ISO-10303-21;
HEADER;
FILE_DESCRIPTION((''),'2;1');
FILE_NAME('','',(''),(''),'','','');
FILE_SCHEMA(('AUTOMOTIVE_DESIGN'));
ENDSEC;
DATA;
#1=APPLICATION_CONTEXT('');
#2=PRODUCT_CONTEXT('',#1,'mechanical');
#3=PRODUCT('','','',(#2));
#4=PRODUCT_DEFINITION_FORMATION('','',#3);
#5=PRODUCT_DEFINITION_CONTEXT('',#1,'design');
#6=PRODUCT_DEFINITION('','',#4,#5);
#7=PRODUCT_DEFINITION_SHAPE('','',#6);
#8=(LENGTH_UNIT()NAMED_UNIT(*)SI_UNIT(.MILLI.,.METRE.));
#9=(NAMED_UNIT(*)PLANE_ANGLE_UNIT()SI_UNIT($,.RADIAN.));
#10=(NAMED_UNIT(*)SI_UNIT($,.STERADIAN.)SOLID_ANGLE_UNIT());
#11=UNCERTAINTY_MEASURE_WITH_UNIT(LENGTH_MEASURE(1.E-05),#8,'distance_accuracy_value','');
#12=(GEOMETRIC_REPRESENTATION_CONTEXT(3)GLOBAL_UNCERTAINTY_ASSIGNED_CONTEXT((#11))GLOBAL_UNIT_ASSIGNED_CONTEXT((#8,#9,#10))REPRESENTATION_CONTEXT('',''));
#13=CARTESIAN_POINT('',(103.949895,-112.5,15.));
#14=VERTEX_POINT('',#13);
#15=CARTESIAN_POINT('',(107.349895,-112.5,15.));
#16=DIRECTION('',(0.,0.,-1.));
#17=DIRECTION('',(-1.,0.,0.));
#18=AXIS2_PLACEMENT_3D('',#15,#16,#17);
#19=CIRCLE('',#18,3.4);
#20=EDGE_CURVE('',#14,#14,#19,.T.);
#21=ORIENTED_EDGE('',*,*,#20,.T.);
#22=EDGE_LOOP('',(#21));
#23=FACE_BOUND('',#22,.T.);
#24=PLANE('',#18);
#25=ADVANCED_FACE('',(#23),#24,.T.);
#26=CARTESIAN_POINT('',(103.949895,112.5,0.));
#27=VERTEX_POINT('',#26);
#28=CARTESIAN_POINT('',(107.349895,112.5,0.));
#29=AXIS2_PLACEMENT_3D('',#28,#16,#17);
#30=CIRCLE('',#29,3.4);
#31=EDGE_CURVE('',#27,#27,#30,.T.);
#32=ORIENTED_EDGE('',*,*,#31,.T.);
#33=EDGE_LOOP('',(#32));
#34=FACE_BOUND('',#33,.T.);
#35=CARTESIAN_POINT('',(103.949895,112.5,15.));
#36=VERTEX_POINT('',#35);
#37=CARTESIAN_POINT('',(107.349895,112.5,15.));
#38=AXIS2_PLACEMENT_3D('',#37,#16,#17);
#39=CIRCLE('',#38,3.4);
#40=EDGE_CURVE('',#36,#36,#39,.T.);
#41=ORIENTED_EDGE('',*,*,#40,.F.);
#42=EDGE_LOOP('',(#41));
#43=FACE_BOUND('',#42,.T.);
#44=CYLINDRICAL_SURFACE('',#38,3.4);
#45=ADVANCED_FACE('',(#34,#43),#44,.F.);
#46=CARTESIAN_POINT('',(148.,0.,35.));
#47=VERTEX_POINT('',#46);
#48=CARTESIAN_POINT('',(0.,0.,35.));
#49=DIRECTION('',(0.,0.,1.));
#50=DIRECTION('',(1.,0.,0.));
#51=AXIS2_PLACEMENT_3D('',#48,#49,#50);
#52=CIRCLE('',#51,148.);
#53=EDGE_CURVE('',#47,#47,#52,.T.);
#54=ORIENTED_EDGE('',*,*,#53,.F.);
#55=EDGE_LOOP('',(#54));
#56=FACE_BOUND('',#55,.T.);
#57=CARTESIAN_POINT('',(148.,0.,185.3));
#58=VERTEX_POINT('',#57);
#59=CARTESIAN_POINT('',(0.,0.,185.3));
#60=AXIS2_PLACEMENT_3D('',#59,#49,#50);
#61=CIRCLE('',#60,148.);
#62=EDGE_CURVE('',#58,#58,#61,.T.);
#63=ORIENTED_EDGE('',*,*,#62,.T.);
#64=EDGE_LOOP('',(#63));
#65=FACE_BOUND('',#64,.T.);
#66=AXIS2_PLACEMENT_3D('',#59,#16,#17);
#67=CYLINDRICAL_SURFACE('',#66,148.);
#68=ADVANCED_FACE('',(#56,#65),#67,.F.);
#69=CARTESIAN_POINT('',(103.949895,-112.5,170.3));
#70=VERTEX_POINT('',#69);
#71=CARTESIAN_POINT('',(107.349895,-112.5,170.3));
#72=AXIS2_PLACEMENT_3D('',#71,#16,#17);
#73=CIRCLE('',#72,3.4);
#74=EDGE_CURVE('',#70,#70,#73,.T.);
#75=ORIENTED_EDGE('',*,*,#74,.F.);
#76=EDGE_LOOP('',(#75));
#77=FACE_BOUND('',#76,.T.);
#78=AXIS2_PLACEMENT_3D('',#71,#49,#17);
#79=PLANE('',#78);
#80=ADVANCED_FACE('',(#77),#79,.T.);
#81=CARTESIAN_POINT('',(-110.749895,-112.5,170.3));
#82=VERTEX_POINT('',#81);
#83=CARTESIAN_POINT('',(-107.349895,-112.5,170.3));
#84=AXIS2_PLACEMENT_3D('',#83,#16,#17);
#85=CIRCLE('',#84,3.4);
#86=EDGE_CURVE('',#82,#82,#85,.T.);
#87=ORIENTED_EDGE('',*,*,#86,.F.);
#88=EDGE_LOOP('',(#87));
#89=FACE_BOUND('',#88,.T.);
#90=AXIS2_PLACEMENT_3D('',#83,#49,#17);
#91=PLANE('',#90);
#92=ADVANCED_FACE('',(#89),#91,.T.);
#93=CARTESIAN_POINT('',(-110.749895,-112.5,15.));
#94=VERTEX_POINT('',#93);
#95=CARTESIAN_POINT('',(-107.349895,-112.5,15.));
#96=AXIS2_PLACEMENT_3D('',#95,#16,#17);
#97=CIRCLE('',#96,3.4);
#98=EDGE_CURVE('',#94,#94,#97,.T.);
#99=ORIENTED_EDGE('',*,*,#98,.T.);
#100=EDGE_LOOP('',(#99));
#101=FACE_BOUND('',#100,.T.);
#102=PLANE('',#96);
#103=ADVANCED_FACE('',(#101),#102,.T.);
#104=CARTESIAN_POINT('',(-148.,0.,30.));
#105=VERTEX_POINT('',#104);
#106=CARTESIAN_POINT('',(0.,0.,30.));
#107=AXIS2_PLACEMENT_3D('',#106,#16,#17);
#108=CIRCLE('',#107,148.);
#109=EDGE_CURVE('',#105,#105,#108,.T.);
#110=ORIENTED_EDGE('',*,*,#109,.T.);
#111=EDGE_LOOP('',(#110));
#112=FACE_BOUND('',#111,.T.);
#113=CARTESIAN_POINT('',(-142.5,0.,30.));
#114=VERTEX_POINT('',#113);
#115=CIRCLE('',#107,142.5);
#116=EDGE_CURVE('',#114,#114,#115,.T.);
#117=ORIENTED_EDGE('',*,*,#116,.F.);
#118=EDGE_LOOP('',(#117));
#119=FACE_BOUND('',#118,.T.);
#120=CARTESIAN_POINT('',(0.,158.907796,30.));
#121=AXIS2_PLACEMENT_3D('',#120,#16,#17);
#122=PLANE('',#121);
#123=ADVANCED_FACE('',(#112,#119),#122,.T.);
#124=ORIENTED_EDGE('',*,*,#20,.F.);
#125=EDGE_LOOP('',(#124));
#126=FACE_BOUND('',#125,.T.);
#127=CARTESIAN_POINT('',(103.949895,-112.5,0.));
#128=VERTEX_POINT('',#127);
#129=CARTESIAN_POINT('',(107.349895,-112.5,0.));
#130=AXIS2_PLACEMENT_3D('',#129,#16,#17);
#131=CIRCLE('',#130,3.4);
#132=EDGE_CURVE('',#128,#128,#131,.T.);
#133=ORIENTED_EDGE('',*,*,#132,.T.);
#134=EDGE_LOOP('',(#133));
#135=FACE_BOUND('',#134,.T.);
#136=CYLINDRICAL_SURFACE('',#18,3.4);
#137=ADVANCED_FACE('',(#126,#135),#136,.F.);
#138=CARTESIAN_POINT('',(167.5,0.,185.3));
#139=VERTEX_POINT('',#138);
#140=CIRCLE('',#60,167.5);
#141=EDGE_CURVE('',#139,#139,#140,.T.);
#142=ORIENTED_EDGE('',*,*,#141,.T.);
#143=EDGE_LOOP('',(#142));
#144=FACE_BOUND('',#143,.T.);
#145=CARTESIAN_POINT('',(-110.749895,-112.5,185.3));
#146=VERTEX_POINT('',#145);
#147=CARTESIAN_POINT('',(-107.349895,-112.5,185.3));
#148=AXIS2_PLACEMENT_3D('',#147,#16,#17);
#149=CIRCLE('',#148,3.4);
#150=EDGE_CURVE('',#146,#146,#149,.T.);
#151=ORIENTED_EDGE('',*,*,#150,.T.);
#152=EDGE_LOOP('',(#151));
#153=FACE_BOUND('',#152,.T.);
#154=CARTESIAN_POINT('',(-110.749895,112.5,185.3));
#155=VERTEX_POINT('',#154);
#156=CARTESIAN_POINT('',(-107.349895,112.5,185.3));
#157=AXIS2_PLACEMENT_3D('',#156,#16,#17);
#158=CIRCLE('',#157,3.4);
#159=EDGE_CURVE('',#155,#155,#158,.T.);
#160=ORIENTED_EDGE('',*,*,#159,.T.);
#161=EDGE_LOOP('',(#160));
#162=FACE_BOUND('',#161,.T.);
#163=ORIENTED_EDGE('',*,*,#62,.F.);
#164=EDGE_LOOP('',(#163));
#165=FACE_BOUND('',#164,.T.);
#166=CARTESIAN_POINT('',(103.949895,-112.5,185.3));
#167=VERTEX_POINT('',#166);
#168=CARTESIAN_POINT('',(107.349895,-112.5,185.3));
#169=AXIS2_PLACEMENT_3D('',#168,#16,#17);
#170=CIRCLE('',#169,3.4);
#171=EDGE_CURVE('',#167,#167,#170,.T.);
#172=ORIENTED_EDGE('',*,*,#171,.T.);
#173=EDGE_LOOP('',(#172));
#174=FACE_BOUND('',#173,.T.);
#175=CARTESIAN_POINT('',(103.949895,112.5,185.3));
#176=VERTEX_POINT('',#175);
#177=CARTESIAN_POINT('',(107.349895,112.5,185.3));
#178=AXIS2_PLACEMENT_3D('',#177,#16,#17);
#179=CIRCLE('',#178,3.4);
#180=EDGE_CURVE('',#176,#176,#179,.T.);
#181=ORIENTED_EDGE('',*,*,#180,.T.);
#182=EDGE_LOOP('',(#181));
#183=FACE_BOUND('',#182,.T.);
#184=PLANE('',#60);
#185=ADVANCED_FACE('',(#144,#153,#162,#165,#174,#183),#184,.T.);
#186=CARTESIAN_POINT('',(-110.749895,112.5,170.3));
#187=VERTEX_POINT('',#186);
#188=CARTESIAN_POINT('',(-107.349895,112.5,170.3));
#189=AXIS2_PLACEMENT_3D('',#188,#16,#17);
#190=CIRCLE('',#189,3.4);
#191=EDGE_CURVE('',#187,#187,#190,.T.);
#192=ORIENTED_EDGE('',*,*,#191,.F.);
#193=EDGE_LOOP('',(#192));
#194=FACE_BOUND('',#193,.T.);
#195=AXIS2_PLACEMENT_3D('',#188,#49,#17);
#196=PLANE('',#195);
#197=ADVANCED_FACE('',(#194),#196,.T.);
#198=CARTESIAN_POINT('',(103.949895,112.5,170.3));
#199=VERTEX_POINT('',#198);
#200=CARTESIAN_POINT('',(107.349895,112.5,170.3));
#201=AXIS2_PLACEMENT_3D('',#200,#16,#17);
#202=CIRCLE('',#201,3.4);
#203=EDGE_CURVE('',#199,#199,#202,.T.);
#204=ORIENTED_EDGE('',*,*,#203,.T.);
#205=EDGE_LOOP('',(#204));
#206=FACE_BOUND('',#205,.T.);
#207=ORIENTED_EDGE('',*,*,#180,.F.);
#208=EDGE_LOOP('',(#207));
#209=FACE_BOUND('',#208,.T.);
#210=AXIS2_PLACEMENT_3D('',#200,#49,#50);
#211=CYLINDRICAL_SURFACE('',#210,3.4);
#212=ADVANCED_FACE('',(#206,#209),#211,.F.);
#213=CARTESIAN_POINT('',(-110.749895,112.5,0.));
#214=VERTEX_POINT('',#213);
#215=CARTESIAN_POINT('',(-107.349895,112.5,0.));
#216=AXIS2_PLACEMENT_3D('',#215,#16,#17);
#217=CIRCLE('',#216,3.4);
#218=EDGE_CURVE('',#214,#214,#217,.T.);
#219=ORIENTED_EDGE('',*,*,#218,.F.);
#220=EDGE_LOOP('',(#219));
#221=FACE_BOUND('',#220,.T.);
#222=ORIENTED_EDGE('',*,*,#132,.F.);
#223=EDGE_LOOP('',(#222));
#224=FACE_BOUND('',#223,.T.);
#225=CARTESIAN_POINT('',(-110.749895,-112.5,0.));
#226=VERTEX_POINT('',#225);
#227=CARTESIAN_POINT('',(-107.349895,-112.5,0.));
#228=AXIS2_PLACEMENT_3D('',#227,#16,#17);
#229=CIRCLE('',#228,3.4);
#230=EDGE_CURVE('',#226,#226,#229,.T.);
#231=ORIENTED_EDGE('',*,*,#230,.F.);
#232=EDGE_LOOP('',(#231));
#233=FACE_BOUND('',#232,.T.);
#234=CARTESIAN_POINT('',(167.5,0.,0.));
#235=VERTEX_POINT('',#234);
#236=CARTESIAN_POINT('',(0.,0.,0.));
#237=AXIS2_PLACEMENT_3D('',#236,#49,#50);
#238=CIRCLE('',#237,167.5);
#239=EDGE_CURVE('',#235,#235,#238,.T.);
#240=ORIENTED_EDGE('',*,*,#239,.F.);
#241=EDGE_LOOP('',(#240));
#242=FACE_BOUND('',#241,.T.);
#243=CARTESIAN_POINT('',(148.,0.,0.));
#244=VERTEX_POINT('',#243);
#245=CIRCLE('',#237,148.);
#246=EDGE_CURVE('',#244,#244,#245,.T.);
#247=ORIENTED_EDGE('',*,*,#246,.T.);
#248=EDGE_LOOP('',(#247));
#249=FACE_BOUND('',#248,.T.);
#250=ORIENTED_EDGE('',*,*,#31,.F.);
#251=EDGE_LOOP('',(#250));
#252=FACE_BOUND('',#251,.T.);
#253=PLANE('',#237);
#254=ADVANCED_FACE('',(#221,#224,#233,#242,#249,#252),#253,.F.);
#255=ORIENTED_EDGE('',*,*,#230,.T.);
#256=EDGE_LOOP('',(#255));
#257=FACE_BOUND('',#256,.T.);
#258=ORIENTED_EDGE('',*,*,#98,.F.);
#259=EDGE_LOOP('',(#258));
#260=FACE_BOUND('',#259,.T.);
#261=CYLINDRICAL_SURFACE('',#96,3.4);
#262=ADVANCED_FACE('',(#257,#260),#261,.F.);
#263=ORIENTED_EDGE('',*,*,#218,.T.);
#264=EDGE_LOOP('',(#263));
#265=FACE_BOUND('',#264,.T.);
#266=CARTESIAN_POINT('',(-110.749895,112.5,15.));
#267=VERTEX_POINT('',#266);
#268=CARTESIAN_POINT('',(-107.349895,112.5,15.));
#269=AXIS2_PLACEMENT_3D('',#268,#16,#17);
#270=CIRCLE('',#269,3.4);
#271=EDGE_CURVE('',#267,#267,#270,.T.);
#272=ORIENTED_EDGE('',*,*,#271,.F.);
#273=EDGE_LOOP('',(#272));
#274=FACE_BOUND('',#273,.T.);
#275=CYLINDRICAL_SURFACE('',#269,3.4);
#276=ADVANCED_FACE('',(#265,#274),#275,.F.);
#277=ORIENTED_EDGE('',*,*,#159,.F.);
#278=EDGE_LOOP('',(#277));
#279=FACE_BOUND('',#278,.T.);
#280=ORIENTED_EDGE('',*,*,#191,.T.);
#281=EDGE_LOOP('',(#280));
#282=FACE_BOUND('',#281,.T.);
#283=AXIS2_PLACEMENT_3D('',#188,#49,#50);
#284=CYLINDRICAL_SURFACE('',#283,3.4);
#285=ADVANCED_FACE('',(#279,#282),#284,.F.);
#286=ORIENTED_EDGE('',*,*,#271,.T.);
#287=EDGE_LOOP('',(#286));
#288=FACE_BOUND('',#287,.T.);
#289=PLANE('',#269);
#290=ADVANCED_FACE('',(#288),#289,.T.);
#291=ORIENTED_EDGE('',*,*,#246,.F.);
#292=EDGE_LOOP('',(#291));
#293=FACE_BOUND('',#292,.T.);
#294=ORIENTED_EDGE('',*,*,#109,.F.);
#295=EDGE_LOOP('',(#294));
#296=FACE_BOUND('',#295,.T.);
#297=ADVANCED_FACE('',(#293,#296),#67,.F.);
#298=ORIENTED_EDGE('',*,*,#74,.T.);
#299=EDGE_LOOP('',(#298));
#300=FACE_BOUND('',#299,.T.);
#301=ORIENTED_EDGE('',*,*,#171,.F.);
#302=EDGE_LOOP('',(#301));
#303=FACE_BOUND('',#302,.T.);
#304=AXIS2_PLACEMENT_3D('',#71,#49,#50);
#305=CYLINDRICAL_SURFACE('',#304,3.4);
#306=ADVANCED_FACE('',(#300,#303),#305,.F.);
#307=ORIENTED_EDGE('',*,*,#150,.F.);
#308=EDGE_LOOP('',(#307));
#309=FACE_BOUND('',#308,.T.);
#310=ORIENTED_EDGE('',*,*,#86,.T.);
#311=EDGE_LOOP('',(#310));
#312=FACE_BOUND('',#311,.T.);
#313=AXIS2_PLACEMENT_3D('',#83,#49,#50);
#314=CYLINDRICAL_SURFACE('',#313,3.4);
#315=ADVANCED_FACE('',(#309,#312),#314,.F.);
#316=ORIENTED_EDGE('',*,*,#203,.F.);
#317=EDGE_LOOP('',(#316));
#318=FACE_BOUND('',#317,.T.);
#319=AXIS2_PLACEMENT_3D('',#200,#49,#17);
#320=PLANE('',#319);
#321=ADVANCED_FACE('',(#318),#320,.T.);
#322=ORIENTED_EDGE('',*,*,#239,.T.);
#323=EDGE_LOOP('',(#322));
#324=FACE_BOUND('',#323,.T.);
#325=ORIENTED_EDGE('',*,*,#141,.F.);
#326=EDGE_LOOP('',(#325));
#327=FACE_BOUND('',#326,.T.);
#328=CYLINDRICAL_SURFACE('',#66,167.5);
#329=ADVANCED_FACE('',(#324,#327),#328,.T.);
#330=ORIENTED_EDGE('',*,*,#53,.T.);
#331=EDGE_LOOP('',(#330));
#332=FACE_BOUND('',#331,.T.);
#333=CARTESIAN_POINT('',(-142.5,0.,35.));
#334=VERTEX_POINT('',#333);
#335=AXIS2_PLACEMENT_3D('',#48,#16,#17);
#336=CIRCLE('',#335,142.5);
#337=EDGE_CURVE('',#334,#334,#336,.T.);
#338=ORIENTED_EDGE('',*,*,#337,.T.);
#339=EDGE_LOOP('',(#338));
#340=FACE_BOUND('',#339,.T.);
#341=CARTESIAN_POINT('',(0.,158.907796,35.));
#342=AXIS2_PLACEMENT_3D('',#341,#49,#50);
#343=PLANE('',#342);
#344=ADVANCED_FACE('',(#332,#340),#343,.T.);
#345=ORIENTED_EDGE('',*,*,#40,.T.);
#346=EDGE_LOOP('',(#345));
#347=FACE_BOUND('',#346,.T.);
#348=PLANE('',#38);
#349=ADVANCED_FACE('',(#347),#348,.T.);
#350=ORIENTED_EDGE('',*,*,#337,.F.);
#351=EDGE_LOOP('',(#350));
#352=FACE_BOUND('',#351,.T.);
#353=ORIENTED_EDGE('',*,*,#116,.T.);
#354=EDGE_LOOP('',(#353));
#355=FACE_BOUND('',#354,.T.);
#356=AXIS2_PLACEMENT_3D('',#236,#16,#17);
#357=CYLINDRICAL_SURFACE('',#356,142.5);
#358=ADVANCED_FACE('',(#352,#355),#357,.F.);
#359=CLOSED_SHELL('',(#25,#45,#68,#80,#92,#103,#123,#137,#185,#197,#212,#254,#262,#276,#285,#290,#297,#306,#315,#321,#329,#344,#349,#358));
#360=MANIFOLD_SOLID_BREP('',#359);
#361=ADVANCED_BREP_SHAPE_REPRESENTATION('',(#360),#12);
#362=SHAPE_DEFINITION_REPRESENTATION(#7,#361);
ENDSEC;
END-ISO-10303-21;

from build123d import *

# Parameters (mm, degrees)
IZIM1_R                     = 167.5
IZIM1_R_2                   = 148
Y_KSEKLIK_EKSTR_ZYON2_DEPTH = 185.3
IZIM9_R                     = 3.4
KES_EKSTR_ZYON1_DEPTH       = 15
IZIM10_W                    = 5
IZIM10_H                    = 16.407796145


with BuildPart() as part:
    # Çizim1 → Yükseklik-Ekstrüzyon2 (new body)
    with BuildSketch(Plane.XY):
        Circle(IZIM1_R)
        Circle(IZIM1_R_2, mode=Mode.SUBTRACT)
    extrude(amount=Y_KSEKLIK_EKSTR_ZYON2_DEPTH)

    # Çizim9 → Kes-Ekstrüzyon1 (cut)
    with BuildSketch(Plane(origin=(0, 0, 0), x_dir=(-1, 0, 0), z_dir=(0, 0, -1))):
        with Locations((107.349895203, -112.5)):
            Circle(IZIM9_R)
        with Locations((-107.349895203, -112.5)):
            Circle(IZIM9_R)
        with Locations((-107.349895203, 112.5)):
            Circle(IZIM9_R)
        with Locations((107.349895203, 112.5)):
            Circle(IZIM9_R)
    kes_ekstr_zyon1 = extrude(amount=-KES_EKSTR_ZYON1_DEPTH, mode=Mode.SUBTRACT)

    # Çizim10 → Döndür1 (revolve)
    with BuildSketch(Plane(origin=(0, 0, 0), x_dir=(0, 0, -1), z_dir=(1, 0, 0)), mode=Mode.PRIVATE) as d_nd_r1_sk:
        with Locations((-32.5, 150.703898073)):
            Rectangle(IZIM10_W, IZIM10_H)
    revolve(d_nd_r1_sk.sketch.rotate(Axis((0, 0, 0), (0, 0, 1)), 90), axis=Axis((0, 0, 0), (0, 0, 1)))

    # Aynalama1: Kes-Ekstrüzyon1 across plane
    add(kes_ekstr_zyon1.mirror(Plane(origin=(0, 0, 92.65), x_dir=(1, 0, 0), z_dir=(0, 0, -1))), mode=Mode.SUBTRACT)


solid = part.part
